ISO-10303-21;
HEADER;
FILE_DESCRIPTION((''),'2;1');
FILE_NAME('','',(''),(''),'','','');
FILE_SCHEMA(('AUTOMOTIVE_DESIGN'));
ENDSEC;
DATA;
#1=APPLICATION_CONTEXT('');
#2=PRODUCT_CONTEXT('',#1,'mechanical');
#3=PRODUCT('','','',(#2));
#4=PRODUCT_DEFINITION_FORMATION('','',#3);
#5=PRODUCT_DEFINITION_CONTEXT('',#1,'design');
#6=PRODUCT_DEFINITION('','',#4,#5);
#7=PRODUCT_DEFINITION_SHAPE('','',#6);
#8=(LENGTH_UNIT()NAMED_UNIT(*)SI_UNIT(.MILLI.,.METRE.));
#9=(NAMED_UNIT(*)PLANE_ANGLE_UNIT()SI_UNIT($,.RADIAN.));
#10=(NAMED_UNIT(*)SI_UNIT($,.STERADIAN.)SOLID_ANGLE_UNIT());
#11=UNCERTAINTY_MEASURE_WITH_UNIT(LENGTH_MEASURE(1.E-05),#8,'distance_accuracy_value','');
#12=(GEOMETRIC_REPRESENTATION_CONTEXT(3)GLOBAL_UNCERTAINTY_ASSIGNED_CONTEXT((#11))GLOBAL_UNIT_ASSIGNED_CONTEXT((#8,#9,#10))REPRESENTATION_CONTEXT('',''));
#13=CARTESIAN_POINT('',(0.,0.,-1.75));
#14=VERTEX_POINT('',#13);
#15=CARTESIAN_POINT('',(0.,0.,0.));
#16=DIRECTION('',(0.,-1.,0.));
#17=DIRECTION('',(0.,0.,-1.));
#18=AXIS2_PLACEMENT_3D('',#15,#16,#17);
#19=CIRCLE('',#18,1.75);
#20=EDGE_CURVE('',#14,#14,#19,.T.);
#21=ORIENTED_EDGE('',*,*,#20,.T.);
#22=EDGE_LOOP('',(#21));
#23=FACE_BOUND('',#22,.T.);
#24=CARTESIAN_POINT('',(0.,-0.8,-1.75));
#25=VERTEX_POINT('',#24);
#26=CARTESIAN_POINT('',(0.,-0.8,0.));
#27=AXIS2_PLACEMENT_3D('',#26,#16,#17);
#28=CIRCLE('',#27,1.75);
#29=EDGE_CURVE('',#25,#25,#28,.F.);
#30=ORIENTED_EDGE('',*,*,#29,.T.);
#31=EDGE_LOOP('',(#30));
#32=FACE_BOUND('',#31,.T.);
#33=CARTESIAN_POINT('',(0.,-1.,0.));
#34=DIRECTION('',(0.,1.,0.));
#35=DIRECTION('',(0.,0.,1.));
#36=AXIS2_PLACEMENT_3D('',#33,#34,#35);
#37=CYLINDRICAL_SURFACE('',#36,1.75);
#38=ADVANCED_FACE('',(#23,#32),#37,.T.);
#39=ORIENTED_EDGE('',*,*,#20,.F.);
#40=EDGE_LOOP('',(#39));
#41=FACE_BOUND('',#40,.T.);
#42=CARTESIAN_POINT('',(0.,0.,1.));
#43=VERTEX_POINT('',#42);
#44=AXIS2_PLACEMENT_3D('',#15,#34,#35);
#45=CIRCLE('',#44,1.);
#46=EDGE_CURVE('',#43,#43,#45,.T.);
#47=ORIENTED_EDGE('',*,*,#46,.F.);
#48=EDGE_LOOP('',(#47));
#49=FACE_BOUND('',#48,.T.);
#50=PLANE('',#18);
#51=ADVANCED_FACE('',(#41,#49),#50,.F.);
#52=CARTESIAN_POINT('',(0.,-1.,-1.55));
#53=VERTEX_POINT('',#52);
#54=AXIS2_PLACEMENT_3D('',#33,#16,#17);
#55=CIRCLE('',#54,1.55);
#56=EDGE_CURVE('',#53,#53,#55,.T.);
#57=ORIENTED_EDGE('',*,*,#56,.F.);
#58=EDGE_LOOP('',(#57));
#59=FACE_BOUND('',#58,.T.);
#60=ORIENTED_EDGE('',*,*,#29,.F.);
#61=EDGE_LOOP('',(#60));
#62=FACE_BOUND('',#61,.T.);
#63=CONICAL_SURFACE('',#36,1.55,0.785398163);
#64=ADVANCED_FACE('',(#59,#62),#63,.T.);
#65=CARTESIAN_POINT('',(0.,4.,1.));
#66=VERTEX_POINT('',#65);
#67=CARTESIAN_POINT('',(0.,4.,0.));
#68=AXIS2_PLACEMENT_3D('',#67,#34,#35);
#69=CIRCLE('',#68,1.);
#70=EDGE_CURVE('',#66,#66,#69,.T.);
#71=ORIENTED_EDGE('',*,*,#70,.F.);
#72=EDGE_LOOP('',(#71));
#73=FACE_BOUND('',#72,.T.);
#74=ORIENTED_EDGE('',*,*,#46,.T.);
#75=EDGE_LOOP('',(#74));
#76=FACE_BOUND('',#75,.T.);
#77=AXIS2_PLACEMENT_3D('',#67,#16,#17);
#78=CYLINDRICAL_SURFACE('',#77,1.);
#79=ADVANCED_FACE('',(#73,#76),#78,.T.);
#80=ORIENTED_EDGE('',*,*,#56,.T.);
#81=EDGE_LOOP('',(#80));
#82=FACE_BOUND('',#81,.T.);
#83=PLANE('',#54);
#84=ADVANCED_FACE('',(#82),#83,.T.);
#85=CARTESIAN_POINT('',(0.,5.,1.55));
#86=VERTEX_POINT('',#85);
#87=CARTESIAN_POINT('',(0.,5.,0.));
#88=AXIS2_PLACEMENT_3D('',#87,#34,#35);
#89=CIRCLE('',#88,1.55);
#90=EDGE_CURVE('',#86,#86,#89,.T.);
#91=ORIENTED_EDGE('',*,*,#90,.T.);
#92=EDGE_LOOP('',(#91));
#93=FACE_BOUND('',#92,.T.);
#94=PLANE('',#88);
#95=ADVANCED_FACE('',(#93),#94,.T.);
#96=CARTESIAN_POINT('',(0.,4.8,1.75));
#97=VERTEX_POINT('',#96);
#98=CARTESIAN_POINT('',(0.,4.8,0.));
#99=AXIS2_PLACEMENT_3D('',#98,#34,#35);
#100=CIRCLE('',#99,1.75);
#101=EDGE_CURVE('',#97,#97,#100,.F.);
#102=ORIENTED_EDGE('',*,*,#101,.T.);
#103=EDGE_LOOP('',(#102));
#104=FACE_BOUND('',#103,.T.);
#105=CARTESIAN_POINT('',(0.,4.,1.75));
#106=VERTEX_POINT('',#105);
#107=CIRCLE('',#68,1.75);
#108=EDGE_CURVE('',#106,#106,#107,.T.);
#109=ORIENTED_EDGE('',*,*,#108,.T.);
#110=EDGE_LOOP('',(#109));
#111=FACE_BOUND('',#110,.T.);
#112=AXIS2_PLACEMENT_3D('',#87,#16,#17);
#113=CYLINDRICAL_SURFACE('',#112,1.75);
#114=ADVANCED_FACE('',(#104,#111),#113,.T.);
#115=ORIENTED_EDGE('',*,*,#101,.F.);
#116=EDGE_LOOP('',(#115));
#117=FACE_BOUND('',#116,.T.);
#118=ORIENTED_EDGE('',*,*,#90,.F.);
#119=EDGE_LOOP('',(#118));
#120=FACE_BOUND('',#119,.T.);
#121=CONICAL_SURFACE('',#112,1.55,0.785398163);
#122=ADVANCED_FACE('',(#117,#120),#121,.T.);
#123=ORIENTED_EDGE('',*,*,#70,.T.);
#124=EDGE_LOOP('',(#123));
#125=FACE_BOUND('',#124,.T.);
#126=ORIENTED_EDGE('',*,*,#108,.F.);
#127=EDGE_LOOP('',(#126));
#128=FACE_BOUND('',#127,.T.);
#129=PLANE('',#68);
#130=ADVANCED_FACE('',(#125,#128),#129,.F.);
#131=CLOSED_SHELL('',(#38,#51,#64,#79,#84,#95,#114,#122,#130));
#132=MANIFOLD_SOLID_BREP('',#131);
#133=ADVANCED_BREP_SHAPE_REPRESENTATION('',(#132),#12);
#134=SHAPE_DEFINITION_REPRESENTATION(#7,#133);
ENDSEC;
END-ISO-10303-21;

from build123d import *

# Parameters (mm, degrees)
SKETCH1_R           = 1
BOSS_EXTRUDE1_DEPTH = 4
SKETCH2_R           = 1.75
BOSS_EXTRUDE2_DEPTH = 1
CHAMFER1_SIZE       = 0.2
SKETCH3_R           = 1.75
BOSS_EXTRUDE3_DEPTH = 1
CHAMFER2_SIZE       = 0.2


with BuildPart() as part:
    # Sketch1 → Boss-Extrude1 (new body)
    with BuildSketch(Plane(origin=(0, 0, 0), x_dir=(1, 0, 0), z_dir=(0, 1, 0))):
        Circle(SKETCH1_R)
    extrude(amount=BOSS_EXTRUDE1_DEPTH)

    # Sketch2 → Boss-Extrude2 (add)
    with BuildSketch(Plane(origin=(0, 4, 0), x_dir=(1, 0, 0), z_dir=(0, 1, 0))):
        Circle(SKETCH2_R)
    extrude(amount=BOSS_EXTRUDE2_DEPTH)

    # Chamfer1
    chamfer1_edges = [part.edges().sort_by_distance(p)[0] for p in [
        (-1.75, 5, 0),
    ]]
    chamfer(chamfer1_edges, length=CHAMFER1_SIZE)

    # Sketch3 → Boss-Extrude3 (add)
    with BuildSketch(Plane.XZ):
        Circle(SKETCH3_R)
    extrude(amount=BOSS_EXTRUDE3_DEPTH)

    # Chamfer2
    chamfer2_edges = [part.edges().sort_by_distance(p)[0] for p in [
        (-1.75, -1, 0),
    ]]
    chamfer(chamfer2_edges, length=CHAMFER2_SIZE)


solid = part.part
